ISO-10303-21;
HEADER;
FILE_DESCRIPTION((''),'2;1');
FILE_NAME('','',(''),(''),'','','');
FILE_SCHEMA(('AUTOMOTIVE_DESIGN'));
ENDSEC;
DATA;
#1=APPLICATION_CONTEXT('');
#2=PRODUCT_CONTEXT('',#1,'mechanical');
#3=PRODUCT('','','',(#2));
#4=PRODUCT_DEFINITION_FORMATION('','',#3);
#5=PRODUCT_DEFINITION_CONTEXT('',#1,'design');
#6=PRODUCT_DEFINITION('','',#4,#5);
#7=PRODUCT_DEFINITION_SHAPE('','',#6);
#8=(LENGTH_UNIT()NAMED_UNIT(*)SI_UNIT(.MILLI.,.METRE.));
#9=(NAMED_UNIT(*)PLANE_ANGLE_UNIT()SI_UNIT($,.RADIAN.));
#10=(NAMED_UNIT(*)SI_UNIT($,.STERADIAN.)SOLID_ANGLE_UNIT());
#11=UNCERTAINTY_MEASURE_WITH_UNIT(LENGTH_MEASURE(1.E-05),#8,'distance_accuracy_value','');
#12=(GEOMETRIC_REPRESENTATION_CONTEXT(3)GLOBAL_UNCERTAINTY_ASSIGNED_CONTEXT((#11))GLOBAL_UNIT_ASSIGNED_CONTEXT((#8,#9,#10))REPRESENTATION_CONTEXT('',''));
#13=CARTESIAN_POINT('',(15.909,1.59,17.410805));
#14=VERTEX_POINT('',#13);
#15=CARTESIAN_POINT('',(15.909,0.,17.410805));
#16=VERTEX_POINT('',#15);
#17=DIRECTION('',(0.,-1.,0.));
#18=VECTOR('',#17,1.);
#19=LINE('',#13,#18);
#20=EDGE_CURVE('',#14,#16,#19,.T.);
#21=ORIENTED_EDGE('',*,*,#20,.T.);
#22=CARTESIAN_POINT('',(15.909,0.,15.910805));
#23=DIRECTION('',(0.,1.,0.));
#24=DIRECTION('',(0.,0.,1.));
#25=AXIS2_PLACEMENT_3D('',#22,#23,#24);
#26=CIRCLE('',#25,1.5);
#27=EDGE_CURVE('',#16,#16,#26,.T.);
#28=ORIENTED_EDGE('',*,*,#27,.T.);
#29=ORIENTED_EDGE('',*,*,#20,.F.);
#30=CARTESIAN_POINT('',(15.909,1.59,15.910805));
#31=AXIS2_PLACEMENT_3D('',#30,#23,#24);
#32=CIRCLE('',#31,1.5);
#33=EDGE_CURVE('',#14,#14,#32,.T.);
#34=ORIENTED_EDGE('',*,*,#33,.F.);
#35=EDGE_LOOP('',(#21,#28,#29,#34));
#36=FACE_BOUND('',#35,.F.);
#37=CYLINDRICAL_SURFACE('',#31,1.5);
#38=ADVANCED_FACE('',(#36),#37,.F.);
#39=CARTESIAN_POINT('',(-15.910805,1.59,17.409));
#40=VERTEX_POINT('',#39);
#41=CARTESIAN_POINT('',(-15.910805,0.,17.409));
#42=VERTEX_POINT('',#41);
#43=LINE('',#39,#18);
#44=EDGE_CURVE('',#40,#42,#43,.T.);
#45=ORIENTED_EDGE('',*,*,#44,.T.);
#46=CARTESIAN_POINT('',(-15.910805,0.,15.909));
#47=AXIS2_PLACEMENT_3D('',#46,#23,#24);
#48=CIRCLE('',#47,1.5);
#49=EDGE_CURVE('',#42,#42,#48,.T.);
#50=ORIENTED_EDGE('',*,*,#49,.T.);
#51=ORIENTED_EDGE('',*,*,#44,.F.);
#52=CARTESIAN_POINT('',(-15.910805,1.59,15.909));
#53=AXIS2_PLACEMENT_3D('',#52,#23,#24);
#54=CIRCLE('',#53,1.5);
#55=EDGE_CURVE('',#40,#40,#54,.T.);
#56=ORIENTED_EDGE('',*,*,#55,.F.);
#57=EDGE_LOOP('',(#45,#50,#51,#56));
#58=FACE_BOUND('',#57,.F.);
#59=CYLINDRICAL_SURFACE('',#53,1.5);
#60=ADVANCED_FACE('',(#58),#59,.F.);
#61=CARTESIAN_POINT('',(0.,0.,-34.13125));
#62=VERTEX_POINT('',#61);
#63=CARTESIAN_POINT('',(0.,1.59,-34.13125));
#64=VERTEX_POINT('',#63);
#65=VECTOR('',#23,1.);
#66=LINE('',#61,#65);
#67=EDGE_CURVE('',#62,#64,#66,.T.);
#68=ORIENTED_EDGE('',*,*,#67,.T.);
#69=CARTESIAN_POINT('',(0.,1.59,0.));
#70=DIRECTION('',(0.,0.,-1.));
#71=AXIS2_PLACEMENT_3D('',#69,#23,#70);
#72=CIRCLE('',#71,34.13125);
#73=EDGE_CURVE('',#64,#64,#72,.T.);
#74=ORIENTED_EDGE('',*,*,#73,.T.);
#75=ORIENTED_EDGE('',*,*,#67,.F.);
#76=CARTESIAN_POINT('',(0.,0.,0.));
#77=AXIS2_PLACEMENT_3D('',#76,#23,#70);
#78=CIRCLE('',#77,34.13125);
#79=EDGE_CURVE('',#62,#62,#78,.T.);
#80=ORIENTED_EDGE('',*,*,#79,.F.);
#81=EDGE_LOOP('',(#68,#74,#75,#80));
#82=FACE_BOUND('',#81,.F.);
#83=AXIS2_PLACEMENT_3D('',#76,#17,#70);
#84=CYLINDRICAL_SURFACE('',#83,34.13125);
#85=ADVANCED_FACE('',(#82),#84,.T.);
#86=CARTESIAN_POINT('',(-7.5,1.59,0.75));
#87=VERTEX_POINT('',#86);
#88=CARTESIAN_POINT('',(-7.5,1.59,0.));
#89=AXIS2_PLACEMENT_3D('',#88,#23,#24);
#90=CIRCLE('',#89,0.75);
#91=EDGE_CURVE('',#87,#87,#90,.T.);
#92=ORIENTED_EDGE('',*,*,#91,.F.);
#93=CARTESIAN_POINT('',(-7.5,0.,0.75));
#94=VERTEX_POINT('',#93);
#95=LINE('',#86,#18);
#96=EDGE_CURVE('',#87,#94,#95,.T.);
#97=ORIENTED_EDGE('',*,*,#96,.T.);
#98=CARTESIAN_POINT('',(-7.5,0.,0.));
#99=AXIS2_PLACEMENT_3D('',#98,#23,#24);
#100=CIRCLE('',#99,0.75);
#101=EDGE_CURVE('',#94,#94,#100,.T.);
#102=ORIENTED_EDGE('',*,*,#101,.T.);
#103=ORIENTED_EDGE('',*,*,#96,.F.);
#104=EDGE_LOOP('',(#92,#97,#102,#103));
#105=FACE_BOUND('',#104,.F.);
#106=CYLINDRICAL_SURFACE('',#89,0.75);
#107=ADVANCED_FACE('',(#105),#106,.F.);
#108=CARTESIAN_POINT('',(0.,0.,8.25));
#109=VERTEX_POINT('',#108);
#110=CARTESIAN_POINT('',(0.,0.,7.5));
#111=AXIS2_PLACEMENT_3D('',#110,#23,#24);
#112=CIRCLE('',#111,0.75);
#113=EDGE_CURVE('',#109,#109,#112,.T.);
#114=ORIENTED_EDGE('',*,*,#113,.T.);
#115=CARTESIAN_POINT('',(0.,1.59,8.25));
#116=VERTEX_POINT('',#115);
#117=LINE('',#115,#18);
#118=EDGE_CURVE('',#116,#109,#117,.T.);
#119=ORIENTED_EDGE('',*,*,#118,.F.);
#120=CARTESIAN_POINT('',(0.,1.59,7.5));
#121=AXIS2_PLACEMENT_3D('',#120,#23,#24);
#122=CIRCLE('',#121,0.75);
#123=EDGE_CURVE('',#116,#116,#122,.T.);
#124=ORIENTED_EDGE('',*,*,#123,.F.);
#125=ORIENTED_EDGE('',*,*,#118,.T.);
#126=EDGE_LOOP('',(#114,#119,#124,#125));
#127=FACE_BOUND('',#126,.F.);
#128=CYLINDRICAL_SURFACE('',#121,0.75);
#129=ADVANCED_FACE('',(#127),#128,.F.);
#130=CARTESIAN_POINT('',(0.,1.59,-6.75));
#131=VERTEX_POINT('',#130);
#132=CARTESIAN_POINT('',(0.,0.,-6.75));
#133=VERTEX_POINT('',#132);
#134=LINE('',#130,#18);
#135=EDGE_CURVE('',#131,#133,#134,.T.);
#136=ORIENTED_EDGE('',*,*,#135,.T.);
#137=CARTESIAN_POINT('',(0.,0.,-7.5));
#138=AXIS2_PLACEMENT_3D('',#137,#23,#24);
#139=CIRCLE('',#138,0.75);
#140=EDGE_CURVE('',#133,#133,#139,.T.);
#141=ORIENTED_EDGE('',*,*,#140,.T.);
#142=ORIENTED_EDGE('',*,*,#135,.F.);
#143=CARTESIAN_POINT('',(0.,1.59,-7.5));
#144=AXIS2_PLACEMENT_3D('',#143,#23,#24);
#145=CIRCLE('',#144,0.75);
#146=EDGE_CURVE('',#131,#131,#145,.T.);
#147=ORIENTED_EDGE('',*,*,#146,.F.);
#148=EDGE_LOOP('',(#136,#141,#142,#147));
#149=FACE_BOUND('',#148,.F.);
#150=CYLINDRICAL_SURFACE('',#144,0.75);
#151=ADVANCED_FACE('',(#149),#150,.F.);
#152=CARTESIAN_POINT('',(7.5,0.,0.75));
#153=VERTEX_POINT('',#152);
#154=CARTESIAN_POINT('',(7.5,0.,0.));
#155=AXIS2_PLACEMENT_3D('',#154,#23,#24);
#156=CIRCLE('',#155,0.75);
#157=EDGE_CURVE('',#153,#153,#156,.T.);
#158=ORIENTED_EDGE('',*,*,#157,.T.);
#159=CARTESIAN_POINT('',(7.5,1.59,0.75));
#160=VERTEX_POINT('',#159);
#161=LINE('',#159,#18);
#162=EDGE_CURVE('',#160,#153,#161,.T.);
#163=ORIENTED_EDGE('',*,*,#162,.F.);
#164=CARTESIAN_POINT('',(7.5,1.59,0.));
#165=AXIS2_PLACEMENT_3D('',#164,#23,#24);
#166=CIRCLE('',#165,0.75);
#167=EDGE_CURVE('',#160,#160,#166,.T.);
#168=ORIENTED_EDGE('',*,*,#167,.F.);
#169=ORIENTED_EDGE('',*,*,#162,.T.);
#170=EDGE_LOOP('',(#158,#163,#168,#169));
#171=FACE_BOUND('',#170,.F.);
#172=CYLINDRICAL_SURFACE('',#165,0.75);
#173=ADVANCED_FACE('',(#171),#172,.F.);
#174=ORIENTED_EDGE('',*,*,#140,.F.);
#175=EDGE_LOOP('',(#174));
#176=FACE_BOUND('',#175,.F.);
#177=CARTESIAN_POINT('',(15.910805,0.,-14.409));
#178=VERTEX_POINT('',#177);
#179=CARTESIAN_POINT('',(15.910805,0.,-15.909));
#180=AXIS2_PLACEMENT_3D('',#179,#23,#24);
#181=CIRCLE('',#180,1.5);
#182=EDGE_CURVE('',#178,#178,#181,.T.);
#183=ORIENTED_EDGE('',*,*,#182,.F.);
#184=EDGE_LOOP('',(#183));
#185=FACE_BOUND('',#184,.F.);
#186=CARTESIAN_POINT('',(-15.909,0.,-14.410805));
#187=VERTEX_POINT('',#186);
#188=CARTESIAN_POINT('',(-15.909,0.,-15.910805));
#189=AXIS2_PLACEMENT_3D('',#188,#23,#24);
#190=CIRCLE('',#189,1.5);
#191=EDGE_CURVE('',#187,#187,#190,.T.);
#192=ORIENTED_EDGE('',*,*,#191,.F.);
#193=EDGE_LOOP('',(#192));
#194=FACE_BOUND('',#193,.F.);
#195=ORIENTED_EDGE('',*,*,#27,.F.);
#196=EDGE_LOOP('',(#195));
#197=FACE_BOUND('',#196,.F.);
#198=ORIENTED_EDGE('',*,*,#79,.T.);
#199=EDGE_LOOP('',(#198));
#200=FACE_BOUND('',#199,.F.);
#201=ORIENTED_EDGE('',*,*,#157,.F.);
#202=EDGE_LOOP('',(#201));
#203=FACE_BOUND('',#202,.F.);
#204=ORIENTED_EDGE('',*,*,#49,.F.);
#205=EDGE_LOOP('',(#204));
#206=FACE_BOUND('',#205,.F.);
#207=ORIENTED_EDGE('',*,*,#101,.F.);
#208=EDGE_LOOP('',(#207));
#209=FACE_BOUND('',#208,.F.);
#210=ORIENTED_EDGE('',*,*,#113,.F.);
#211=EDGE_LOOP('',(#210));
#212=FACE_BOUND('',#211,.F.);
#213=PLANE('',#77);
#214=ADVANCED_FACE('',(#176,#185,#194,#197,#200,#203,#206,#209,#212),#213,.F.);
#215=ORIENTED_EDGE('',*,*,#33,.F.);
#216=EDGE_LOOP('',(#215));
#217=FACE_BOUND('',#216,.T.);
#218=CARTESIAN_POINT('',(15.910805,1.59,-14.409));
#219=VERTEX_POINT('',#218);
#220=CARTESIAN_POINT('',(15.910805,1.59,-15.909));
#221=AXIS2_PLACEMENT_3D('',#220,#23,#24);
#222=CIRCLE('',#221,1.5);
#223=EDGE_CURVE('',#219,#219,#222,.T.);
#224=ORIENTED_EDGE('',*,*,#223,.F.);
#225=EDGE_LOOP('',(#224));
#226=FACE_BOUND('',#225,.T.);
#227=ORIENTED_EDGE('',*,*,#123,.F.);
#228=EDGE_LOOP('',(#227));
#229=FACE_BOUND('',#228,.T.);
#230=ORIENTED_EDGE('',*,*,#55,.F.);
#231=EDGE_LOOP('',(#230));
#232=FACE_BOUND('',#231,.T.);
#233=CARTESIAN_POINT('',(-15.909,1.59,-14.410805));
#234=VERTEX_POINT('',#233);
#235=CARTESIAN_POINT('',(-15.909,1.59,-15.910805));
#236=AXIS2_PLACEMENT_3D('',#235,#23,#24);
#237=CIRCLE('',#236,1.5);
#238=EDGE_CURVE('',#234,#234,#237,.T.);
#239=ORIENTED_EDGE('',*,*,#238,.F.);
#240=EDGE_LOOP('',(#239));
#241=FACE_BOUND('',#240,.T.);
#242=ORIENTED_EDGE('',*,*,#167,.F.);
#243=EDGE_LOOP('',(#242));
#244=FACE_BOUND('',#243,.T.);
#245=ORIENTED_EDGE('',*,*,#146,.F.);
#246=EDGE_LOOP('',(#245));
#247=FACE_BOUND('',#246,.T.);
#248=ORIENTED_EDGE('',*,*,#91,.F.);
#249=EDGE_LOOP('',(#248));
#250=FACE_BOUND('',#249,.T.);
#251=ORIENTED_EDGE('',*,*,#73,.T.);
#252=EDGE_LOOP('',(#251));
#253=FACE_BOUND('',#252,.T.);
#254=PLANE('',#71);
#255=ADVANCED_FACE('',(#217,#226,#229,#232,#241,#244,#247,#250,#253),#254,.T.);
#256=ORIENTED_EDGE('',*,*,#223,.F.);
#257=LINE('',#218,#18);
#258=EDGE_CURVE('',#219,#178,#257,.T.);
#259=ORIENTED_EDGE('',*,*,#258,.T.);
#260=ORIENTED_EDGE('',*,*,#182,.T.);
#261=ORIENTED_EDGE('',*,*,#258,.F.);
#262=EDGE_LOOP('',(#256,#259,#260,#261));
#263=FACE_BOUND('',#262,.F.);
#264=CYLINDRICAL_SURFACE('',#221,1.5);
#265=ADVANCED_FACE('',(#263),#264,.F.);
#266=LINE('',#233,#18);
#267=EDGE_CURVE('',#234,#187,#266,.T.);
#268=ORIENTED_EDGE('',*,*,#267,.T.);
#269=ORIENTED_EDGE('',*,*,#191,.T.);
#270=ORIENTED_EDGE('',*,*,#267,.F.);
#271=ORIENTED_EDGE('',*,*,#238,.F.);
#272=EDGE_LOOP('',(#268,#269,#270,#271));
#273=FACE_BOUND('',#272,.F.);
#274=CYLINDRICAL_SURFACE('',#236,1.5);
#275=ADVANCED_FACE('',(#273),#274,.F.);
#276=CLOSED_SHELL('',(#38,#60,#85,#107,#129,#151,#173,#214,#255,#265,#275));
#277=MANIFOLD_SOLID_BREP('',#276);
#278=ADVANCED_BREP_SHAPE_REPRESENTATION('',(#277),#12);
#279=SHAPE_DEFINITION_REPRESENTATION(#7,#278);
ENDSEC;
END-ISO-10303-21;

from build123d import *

# Parameters (mm, degrees)
SKETCH1_R           = 34.13125
BOSS_EXTRUDE1_DEPTH = 1.59
SKETCH2_R           = 0.75
CUT_EXTRUDE1_DEPTH  = 1.59
SKETCH3_R           = 1.5
CUT_EXTRUDE2_DEPTH  = 1.59


with BuildPart() as part:
    # Sketch1 → Boss-Extrude1 (new body)
    with BuildSketch(Plane(origin=(0, 0, 0), x_dir=(1, 0, 0), z_dir=(0, 1, 0))):
        with Locations(Location((0, 0, 0), (0, 0, 90))):
            Circle(SKETCH1_R)
    extrude(amount=BOSS_EXTRUDE1_DEPTH)

    # Sketch2 → Cut-Extrude1 (cut)
    with BuildSketch(Plane(origin=(0, 1.59, 0), x_dir=(1, 0, 0), z_dir=(0, 1, 0))):
        with Locations(Location((0, -7.5, 0), (0, 0, 270))):
            Circle(SKETCH2_R)
        with Locations(Location((0, 7.5, 0), (0, 0, 270))):
            Circle(SKETCH2_R)
        with Locations(Location((-7.5, 0, 0), (0, 0, 270))):
            Circle(SKETCH2_R)
        with Locations(Location((7.5, 0, 0), (0, 0, 270))):
            Circle(SKETCH2_R)
    extrude(amount=-CUT_EXTRUDE1_DEPTH, mode=Mode.SUBTRACT)

    # Sketch3 → Cut-Extrude2 (cut)
    with BuildSketch(Plane(origin=(0, 1.59, 0), x_dir=(1, 0, 0), z_dir=(0, 1, 0))):
        with Locations(Location((-15.909, 15.910805102, 0), (0, 0, 270))):
            Circle(SKETCH3_R)
        with Locations(Location((15.910805102, 15.909, 0), (0, 0, 270))):
            Circle(SKETCH3_R)
        with Locations(Location((15.909, -15.910805102, 0), (0, 0, 270))):
            Circle(SKETCH3_R)
        with Locations(Location((-15.910805102, -15.909, 0), (0, 0, 270))):
            Circle(SKETCH3_R)
    extrude(amount=-CUT_EXTRUDE2_DEPTH, mode=Mode.SUBTRACT)


solid = part.part
